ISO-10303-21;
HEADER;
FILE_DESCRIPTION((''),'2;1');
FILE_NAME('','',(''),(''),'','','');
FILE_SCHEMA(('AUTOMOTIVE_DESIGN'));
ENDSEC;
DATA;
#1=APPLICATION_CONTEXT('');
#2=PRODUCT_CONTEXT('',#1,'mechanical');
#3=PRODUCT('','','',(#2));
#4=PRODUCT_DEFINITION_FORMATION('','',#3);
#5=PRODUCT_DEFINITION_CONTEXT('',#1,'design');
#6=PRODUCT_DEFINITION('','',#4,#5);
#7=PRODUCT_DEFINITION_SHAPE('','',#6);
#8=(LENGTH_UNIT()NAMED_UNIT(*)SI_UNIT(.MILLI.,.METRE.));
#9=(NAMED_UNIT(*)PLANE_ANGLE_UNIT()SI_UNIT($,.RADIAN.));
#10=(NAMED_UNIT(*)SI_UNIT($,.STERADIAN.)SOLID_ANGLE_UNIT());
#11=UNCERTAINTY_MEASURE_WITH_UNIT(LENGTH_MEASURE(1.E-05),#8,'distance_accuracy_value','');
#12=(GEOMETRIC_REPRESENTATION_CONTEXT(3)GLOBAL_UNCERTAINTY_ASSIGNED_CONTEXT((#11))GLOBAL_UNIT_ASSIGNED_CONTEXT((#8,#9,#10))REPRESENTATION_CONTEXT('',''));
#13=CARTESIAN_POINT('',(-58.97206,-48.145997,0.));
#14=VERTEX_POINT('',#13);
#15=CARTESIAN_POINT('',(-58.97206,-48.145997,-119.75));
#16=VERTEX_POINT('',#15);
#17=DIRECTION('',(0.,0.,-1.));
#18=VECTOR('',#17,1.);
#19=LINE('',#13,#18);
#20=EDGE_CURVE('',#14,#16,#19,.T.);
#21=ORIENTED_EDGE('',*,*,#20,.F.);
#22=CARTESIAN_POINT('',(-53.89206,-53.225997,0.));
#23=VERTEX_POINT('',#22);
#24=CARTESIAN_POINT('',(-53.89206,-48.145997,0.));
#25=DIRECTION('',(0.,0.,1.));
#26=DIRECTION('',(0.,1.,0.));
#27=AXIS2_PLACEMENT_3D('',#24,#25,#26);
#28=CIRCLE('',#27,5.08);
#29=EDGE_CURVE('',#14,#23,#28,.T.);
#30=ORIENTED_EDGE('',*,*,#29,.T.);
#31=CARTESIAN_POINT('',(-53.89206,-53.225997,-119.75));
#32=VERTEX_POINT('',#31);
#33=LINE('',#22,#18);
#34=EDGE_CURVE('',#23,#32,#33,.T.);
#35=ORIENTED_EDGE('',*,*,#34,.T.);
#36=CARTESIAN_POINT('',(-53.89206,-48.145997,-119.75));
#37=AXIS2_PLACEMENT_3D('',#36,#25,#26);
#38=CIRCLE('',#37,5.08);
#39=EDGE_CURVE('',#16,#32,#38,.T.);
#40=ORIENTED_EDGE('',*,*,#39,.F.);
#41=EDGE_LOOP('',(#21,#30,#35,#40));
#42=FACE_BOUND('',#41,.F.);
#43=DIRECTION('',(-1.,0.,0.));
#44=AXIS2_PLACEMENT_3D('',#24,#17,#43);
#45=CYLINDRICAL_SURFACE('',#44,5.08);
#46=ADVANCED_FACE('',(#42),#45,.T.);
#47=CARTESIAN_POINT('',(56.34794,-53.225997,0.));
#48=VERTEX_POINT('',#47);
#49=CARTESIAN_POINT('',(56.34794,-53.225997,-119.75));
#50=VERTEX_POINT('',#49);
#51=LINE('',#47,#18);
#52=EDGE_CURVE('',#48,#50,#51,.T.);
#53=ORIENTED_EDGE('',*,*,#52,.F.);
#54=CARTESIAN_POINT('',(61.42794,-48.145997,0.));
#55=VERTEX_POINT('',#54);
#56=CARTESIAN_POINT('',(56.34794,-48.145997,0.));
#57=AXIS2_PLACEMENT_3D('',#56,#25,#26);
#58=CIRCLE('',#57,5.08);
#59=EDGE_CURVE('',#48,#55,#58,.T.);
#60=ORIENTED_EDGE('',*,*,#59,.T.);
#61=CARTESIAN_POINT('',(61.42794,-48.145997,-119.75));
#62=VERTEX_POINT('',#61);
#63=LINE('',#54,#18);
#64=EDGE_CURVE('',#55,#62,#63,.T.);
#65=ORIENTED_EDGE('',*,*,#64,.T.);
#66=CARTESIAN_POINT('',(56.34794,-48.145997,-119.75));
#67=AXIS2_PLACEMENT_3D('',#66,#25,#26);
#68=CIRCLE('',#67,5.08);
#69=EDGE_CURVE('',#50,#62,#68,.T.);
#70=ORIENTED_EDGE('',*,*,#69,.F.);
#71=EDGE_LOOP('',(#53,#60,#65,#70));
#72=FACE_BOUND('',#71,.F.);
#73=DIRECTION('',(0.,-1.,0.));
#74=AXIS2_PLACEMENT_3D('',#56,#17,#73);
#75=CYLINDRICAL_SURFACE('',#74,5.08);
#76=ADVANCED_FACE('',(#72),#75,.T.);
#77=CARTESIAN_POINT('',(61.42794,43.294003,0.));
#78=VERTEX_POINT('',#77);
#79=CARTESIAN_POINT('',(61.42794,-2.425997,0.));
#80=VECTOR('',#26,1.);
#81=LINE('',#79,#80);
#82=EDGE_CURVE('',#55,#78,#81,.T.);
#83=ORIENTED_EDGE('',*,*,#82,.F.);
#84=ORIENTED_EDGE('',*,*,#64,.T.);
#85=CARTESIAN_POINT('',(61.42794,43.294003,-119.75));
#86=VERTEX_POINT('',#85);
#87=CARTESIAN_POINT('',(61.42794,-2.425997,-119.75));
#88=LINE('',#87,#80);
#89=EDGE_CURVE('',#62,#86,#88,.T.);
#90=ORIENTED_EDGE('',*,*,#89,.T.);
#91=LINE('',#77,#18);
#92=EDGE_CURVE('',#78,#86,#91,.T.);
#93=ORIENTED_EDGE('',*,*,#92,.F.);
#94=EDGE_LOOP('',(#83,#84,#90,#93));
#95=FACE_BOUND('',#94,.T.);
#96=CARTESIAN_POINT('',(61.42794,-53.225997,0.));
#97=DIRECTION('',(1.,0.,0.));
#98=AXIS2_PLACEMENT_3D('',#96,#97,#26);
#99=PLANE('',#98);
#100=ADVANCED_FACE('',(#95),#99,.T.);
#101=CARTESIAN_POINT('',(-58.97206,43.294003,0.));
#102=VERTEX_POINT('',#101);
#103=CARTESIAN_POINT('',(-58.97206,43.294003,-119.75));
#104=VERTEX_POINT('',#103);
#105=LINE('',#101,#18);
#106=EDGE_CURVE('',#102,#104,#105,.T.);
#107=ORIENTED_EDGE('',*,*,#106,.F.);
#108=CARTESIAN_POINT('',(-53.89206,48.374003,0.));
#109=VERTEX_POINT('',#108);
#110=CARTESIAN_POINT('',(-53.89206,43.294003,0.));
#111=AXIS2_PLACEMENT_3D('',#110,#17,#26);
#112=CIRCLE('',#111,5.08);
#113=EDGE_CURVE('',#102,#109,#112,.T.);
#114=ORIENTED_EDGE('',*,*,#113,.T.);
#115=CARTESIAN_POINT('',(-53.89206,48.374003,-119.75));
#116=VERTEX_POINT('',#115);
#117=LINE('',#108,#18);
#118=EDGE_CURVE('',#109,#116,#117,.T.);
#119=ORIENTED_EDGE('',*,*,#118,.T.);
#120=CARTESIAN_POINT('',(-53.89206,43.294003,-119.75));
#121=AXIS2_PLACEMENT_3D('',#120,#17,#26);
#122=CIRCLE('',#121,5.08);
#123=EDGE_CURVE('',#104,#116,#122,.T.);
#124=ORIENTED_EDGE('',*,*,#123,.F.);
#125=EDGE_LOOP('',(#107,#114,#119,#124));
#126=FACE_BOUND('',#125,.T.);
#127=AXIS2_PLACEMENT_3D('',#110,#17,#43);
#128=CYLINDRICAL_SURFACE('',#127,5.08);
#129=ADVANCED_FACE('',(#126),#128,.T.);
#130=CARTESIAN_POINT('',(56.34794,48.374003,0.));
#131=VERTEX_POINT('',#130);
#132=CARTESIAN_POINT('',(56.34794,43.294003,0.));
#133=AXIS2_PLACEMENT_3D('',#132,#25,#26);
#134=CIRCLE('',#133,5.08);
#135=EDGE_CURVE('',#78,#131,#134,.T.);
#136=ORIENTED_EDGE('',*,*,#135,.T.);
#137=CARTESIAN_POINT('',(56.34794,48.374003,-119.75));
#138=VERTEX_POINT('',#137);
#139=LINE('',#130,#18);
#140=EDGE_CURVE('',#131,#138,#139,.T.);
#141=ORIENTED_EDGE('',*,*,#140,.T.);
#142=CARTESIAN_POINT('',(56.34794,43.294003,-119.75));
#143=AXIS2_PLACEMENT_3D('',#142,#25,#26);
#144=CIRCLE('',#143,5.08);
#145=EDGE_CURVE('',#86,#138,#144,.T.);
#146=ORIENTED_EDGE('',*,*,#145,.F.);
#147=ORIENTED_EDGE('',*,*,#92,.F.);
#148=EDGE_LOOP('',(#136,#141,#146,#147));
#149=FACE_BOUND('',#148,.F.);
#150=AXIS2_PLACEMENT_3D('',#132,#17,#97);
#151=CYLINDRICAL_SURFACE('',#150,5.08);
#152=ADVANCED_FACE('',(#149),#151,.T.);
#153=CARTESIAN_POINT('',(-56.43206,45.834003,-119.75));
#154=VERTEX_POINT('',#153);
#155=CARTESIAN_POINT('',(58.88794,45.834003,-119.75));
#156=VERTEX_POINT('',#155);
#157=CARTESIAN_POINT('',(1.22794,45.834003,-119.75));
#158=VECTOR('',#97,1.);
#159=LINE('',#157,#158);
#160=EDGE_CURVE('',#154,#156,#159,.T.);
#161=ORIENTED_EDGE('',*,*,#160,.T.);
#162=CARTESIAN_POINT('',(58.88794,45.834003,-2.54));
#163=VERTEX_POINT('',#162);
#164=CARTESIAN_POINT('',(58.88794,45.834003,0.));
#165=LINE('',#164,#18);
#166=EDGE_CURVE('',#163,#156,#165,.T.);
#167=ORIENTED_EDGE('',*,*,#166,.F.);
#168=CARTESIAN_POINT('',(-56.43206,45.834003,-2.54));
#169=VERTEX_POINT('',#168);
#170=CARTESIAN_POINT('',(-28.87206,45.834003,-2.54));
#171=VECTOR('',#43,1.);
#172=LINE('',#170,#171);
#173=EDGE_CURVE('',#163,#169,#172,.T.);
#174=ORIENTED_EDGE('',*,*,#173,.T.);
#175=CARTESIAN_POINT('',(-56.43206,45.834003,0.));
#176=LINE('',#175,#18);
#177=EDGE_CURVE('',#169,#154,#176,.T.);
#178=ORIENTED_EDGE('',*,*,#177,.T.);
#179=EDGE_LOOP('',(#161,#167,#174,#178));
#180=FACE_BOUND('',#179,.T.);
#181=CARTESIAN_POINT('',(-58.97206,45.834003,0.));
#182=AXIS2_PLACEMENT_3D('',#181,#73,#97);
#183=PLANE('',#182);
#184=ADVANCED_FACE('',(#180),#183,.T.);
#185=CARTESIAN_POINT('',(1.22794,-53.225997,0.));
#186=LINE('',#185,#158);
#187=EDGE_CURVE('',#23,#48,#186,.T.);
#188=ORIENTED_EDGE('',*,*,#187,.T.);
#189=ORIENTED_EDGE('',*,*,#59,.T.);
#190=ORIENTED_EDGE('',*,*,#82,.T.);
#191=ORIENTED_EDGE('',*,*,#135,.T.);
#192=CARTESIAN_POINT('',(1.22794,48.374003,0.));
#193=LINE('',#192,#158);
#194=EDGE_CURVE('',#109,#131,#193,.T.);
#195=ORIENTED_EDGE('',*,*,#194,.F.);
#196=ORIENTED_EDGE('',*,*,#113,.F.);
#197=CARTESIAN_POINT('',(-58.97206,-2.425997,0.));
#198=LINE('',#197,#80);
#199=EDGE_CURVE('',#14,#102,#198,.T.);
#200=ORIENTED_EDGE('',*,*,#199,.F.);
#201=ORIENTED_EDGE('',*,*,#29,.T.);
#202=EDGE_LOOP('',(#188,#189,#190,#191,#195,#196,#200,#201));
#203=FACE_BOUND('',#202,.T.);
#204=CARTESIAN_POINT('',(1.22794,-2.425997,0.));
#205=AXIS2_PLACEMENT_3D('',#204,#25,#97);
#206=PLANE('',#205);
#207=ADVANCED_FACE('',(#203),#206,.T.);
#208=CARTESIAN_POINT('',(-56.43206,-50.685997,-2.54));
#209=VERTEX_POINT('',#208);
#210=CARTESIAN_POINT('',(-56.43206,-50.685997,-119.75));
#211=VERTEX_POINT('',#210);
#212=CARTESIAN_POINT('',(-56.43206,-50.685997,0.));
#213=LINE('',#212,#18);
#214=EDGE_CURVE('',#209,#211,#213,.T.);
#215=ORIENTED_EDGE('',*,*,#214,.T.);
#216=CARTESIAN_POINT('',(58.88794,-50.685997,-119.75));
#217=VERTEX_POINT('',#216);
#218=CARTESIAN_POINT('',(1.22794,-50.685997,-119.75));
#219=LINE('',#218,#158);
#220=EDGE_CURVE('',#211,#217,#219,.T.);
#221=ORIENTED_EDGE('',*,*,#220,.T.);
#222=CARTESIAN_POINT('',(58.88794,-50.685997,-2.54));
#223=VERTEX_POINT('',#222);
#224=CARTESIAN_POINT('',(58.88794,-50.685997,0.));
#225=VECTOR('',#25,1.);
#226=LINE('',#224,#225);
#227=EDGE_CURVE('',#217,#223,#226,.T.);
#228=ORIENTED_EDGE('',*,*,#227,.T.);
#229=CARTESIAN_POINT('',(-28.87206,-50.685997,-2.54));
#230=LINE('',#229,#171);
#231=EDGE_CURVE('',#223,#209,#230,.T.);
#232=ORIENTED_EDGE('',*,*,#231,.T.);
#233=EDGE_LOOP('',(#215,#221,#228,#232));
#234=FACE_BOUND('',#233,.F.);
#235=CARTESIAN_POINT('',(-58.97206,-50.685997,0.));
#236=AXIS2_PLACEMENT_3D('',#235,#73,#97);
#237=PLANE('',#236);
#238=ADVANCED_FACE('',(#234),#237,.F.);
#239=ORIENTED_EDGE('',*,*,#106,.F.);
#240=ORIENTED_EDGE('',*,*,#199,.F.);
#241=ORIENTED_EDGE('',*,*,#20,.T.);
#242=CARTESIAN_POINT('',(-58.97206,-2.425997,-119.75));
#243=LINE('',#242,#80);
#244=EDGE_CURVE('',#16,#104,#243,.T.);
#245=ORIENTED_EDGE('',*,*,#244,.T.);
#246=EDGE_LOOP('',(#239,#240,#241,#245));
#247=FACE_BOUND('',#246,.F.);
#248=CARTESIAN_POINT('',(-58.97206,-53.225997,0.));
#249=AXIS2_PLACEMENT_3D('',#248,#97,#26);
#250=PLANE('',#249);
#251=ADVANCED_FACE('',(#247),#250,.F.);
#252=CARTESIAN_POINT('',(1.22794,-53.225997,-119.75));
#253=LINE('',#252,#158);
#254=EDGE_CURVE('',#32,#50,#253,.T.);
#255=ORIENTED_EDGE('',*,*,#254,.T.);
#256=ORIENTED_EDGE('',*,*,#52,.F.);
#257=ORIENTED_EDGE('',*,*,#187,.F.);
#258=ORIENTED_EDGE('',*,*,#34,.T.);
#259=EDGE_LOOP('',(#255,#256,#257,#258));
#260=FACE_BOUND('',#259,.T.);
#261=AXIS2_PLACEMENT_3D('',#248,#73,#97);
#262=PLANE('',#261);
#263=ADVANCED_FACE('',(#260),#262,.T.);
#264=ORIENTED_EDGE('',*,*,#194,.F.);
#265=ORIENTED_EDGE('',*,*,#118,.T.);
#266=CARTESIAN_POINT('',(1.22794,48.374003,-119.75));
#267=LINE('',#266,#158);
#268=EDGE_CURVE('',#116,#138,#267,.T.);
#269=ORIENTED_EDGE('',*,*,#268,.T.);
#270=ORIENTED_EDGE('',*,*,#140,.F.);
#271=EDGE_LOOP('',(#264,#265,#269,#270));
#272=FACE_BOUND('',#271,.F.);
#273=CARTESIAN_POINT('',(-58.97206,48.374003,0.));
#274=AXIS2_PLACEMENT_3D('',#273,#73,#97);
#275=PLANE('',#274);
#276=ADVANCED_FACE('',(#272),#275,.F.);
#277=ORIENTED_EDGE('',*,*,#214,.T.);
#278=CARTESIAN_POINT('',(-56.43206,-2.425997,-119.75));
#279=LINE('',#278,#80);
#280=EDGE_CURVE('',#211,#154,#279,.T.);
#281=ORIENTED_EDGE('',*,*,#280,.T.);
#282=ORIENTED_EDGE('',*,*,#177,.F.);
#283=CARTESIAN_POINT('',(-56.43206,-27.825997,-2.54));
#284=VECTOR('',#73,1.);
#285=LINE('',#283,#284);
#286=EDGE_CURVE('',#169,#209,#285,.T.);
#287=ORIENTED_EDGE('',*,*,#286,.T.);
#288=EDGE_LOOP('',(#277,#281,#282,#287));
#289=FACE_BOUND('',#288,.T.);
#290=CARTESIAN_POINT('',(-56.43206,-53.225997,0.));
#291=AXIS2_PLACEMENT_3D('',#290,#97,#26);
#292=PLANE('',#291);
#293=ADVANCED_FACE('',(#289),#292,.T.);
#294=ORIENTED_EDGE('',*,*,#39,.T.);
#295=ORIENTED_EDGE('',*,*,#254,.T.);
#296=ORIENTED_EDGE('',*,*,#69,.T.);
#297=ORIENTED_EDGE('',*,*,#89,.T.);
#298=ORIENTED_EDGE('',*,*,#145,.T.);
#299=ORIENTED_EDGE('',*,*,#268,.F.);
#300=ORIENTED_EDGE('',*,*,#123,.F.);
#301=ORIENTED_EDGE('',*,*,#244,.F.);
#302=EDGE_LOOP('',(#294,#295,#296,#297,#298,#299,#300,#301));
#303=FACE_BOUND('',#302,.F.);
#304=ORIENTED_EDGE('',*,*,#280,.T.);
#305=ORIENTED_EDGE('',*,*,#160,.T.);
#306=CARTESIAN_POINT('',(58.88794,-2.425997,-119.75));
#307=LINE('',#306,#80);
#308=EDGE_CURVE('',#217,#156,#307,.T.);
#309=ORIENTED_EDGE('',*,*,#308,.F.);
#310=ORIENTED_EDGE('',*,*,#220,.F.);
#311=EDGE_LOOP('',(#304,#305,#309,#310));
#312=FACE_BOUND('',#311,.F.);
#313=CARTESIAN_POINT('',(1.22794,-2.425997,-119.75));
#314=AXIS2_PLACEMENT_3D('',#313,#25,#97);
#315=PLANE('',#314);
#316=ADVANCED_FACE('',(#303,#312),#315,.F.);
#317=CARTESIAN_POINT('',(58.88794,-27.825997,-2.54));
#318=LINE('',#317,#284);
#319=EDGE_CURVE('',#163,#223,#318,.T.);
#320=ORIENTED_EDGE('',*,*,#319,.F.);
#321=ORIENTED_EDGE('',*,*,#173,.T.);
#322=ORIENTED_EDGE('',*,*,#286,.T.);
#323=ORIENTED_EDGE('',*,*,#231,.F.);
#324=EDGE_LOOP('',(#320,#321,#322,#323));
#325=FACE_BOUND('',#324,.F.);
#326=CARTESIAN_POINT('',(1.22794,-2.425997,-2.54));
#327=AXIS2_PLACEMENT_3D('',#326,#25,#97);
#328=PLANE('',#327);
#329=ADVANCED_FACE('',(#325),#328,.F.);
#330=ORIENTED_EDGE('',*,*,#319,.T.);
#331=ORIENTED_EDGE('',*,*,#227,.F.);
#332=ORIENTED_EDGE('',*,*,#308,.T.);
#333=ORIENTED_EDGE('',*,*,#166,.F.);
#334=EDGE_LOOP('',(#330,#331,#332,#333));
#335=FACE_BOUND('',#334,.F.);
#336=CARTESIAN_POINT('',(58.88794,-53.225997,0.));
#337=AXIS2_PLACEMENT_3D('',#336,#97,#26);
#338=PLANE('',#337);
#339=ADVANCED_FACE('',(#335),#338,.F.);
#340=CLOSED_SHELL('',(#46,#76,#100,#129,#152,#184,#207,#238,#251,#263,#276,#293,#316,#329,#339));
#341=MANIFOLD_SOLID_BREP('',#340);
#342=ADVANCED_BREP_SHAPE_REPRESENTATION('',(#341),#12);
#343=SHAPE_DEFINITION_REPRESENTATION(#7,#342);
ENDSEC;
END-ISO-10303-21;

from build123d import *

# Parameters (mm, degrees)
F0_W     = 120.4
F0_H     = 101.6
F1_DEPTH = 119.75
F2_T     = -2.54
F3_R     = 5.08


with BuildPart() as f1:
    # F0 (on Top) → F1 (new body)
    with BuildSketch(Plane.XY):
        with Locations((1.22794, -2.425997)):
            Rectangle(F0_W, F0_H)
    extrude(amount=-F1_DEPTH)

    # F2
    f2_openings = [f1.faces().sort_by_distance(p)[0] for p in [
        (1.22794, -2.425997, -119.75),
    ]]
    offset(amount=F2_T, openings=f2_openings)

    # F3
    f3_edges = [f1.edges().sort_by_distance(p)[0] for p in [
        (61.42794, 48.374003, -59.875),
        (-58.97206, 48.374003, -59.875),
        (-58.97206, -53.225997, -59.875),
        (61.42794, -53.225997, -59.875),
    ]]
    fillet(f3_edges, radius=F3_R)


solid = f1.part
